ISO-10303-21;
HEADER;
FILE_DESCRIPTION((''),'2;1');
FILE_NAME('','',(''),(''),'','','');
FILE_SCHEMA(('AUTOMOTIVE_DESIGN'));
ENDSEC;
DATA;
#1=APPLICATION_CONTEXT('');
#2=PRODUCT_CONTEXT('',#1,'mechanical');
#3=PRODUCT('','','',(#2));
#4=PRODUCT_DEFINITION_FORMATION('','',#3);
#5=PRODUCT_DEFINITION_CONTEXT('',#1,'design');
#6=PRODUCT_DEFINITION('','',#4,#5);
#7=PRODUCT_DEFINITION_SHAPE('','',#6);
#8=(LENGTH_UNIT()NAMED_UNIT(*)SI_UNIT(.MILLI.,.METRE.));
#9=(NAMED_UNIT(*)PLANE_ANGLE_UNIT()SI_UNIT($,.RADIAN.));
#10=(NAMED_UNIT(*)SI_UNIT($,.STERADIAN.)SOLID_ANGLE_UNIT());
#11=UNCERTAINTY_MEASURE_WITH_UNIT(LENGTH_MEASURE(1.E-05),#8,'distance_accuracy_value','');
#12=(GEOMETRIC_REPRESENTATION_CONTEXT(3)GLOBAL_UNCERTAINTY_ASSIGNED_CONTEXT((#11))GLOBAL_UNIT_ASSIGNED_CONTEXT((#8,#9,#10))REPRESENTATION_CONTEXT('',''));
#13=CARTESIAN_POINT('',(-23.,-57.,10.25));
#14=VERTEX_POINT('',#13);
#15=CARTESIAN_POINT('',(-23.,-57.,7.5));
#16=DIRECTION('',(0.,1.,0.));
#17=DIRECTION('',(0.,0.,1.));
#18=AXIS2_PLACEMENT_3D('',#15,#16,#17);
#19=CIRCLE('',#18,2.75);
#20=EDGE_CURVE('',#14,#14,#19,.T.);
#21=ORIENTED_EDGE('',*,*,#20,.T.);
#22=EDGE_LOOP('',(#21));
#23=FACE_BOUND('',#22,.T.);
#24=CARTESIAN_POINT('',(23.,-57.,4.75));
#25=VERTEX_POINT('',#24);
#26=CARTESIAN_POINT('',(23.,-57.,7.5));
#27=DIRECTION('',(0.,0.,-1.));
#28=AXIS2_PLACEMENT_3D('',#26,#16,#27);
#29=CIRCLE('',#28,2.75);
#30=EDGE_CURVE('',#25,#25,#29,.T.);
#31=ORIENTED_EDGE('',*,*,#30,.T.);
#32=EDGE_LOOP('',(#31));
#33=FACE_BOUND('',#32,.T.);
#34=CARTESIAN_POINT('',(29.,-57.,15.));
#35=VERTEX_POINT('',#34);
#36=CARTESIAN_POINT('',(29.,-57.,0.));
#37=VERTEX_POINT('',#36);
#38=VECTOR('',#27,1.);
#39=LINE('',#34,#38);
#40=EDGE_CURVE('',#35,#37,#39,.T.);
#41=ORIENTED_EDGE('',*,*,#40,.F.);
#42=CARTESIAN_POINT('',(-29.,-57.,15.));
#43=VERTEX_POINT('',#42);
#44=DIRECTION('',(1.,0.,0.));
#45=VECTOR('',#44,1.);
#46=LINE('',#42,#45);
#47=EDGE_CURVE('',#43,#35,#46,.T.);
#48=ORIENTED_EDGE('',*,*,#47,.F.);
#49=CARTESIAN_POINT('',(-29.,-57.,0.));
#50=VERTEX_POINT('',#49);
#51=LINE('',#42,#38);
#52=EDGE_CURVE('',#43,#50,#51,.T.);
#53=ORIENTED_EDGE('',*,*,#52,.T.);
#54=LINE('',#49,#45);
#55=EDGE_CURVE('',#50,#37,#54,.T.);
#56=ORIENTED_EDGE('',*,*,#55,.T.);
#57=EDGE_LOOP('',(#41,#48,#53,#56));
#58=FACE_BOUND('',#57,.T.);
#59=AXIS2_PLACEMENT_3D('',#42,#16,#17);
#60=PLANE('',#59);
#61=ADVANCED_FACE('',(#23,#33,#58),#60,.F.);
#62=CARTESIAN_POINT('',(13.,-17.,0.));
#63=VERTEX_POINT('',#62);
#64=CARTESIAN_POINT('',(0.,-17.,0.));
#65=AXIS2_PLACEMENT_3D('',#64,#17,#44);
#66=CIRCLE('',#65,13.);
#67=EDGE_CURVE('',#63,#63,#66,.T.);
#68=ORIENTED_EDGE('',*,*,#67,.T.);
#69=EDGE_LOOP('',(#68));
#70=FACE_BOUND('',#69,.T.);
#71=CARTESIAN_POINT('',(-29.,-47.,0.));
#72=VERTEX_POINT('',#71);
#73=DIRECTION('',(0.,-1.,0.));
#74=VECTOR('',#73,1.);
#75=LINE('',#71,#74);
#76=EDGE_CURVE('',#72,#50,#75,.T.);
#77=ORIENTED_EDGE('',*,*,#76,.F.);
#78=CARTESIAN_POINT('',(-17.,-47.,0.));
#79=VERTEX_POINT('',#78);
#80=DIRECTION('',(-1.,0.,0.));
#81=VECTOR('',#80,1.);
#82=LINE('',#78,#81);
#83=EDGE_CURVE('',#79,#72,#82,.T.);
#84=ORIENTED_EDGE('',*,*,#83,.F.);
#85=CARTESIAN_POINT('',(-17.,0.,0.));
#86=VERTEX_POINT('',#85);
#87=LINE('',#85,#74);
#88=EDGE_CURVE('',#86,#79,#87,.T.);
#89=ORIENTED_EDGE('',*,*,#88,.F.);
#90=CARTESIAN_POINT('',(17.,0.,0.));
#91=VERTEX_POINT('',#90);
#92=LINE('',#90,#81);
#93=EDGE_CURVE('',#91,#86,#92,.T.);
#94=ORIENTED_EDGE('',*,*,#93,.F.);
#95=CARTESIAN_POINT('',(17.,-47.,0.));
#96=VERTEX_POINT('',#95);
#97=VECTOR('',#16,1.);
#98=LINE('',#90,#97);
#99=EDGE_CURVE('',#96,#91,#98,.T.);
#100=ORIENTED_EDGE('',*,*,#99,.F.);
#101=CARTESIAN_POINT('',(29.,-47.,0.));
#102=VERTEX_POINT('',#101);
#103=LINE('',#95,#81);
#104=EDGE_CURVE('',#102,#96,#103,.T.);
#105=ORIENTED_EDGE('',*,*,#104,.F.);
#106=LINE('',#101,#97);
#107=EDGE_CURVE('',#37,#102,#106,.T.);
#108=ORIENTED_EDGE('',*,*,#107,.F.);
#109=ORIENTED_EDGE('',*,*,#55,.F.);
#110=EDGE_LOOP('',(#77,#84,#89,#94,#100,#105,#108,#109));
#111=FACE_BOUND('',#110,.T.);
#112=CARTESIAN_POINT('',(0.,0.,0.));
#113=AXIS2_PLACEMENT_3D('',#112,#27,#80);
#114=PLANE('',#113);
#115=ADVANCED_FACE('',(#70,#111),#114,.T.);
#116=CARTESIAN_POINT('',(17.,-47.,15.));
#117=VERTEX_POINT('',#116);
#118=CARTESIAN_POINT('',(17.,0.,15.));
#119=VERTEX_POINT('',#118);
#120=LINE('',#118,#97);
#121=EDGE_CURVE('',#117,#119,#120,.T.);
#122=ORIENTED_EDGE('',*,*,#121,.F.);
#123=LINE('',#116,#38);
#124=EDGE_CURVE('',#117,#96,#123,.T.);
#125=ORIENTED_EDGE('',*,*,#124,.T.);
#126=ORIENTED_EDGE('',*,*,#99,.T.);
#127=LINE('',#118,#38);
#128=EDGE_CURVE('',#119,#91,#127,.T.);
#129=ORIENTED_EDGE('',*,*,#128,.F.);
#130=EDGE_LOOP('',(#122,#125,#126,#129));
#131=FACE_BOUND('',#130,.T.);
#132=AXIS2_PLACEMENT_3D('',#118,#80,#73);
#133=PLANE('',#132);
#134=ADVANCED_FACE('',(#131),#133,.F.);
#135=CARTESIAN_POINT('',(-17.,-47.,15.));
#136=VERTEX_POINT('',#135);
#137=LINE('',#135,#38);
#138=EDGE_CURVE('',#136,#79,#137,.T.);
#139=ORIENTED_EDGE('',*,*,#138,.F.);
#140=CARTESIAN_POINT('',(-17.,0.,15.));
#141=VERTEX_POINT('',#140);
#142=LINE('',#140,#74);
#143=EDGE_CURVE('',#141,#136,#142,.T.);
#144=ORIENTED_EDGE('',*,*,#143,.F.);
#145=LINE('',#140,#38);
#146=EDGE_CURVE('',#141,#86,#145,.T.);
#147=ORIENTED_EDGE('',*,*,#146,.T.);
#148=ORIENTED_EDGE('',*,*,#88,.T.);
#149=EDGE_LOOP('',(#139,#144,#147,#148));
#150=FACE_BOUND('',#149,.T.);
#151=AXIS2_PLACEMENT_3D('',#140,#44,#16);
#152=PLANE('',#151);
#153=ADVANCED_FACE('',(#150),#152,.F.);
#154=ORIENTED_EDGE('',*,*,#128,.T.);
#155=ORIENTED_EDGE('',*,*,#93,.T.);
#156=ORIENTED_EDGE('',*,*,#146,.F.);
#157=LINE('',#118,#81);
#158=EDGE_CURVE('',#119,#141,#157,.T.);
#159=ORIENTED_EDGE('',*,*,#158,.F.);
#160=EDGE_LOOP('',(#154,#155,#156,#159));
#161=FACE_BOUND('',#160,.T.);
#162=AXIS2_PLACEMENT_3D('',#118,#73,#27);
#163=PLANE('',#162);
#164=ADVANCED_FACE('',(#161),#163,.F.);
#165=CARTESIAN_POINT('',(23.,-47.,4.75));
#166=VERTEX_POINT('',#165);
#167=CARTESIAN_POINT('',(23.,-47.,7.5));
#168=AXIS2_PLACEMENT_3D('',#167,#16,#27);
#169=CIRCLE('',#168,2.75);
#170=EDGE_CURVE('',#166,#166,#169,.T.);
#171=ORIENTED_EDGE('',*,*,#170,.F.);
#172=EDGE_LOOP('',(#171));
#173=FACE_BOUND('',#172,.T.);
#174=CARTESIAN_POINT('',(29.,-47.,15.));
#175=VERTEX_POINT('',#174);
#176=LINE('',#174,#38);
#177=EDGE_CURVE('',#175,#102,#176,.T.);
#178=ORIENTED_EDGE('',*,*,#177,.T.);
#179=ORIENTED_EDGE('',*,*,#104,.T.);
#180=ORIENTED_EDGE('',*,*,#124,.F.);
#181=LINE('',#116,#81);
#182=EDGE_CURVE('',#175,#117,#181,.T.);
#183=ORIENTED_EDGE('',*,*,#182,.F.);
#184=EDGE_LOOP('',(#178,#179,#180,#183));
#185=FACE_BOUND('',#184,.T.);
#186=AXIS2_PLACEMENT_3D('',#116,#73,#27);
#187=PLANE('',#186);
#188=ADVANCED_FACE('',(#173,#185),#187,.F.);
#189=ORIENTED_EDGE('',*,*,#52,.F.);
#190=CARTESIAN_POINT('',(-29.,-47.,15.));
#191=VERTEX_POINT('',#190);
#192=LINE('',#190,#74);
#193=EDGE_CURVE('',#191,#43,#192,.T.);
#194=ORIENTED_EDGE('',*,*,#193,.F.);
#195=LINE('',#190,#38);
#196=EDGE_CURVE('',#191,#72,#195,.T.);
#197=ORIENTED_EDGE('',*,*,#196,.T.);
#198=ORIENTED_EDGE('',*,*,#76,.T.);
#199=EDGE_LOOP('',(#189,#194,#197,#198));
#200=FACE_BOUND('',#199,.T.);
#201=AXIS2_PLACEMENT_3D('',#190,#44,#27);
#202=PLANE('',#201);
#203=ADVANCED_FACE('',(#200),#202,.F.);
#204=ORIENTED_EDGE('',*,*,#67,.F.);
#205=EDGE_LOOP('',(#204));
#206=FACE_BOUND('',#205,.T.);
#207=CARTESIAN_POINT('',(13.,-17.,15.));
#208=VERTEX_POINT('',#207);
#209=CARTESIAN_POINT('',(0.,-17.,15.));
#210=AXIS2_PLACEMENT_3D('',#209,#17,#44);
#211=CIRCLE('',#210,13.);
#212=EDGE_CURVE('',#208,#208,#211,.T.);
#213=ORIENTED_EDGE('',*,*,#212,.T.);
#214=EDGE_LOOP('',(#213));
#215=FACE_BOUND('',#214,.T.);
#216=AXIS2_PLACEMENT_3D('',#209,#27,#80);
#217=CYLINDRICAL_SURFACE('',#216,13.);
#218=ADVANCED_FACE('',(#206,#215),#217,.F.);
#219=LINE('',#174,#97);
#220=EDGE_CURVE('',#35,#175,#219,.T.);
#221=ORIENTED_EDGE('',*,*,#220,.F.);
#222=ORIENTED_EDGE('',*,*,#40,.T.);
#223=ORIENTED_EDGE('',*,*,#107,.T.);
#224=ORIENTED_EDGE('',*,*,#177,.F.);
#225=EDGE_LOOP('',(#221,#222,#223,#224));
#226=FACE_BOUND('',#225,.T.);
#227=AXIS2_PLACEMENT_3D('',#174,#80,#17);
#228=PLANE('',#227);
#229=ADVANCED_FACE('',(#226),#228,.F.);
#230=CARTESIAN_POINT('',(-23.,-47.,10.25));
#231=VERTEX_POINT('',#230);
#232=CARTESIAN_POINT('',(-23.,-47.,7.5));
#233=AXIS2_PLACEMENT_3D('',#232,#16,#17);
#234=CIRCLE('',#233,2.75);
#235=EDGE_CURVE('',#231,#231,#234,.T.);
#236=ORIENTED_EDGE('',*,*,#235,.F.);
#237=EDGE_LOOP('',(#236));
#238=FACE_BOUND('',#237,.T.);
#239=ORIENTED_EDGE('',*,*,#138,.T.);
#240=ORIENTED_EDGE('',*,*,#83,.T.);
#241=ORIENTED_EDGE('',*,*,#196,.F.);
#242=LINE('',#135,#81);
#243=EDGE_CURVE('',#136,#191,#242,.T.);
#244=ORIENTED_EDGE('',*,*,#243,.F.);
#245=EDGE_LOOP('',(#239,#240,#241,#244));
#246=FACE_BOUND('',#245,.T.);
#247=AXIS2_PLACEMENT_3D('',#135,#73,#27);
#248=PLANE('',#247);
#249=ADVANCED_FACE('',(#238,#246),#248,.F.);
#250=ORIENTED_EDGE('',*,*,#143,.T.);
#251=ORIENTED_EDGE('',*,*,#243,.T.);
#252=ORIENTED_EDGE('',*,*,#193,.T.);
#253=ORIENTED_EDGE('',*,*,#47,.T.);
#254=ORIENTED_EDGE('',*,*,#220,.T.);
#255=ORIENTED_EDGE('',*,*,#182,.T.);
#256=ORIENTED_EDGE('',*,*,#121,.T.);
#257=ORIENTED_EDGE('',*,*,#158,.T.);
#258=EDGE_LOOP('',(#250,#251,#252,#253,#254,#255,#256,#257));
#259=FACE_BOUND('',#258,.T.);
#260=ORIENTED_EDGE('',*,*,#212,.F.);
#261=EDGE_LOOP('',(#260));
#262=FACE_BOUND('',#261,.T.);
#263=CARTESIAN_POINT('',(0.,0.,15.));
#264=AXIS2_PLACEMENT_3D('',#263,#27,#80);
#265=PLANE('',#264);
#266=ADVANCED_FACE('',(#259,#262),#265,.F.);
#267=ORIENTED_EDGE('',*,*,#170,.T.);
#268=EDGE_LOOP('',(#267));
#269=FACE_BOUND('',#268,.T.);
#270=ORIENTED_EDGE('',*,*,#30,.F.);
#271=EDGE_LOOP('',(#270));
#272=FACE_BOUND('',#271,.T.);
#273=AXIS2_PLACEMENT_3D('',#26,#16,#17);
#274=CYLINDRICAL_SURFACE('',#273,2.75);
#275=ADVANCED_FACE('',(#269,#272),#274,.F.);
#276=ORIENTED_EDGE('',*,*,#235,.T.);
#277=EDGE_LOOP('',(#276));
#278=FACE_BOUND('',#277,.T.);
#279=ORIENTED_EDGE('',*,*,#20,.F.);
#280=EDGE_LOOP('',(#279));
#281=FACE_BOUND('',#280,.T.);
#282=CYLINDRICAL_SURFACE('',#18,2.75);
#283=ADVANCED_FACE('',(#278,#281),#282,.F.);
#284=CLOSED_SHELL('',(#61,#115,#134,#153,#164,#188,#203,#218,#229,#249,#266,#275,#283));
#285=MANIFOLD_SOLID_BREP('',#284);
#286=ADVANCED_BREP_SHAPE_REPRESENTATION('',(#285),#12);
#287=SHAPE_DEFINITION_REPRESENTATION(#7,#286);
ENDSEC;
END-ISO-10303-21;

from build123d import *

# Parameters (mm, degrees)
SKETCH_1_R          = 13
EXTRUDE_1_DEPTH     = 15
SKETCH_2_R          = 2.75
CUT_EXTRUDE_1_DEPTH = 58.227615711


with BuildPart() as part:
    # 草图1 → 凸台-拉伸1 (new body)
    with BuildSketch(Plane.XY):
        Polygon((17, 0), (-17, 0), (-17, -47), (-29, -47), (-29, -57), (29, -57), (29, -47), (17, -47), align=None)
        with Locations((0, -17)):
            Circle(SKETCH_1_R, mode=Mode.SUBTRACT)
    extrude(amount=EXTRUDE_1_DEPTH)

    # 草图2 → 切除-拉伸1 (cut, through all)
    with BuildSketch(Plane(origin=(0, -47, 0), x_dir=(1, 0, 0), z_dir=(0, 1, 0))):
        with Locations(Location((-23, -7.5, 0), (0, 0, 270))):
            Circle(SKETCH_2_R)
        with Locations(Location((23, -7.5, 0), (0, 0, 90))):
            Circle(SKETCH_2_R)
    extrude(amount=-CUT_EXTRUDE_1_DEPTH, mode=Mode.SUBTRACT)


solid = part.part
